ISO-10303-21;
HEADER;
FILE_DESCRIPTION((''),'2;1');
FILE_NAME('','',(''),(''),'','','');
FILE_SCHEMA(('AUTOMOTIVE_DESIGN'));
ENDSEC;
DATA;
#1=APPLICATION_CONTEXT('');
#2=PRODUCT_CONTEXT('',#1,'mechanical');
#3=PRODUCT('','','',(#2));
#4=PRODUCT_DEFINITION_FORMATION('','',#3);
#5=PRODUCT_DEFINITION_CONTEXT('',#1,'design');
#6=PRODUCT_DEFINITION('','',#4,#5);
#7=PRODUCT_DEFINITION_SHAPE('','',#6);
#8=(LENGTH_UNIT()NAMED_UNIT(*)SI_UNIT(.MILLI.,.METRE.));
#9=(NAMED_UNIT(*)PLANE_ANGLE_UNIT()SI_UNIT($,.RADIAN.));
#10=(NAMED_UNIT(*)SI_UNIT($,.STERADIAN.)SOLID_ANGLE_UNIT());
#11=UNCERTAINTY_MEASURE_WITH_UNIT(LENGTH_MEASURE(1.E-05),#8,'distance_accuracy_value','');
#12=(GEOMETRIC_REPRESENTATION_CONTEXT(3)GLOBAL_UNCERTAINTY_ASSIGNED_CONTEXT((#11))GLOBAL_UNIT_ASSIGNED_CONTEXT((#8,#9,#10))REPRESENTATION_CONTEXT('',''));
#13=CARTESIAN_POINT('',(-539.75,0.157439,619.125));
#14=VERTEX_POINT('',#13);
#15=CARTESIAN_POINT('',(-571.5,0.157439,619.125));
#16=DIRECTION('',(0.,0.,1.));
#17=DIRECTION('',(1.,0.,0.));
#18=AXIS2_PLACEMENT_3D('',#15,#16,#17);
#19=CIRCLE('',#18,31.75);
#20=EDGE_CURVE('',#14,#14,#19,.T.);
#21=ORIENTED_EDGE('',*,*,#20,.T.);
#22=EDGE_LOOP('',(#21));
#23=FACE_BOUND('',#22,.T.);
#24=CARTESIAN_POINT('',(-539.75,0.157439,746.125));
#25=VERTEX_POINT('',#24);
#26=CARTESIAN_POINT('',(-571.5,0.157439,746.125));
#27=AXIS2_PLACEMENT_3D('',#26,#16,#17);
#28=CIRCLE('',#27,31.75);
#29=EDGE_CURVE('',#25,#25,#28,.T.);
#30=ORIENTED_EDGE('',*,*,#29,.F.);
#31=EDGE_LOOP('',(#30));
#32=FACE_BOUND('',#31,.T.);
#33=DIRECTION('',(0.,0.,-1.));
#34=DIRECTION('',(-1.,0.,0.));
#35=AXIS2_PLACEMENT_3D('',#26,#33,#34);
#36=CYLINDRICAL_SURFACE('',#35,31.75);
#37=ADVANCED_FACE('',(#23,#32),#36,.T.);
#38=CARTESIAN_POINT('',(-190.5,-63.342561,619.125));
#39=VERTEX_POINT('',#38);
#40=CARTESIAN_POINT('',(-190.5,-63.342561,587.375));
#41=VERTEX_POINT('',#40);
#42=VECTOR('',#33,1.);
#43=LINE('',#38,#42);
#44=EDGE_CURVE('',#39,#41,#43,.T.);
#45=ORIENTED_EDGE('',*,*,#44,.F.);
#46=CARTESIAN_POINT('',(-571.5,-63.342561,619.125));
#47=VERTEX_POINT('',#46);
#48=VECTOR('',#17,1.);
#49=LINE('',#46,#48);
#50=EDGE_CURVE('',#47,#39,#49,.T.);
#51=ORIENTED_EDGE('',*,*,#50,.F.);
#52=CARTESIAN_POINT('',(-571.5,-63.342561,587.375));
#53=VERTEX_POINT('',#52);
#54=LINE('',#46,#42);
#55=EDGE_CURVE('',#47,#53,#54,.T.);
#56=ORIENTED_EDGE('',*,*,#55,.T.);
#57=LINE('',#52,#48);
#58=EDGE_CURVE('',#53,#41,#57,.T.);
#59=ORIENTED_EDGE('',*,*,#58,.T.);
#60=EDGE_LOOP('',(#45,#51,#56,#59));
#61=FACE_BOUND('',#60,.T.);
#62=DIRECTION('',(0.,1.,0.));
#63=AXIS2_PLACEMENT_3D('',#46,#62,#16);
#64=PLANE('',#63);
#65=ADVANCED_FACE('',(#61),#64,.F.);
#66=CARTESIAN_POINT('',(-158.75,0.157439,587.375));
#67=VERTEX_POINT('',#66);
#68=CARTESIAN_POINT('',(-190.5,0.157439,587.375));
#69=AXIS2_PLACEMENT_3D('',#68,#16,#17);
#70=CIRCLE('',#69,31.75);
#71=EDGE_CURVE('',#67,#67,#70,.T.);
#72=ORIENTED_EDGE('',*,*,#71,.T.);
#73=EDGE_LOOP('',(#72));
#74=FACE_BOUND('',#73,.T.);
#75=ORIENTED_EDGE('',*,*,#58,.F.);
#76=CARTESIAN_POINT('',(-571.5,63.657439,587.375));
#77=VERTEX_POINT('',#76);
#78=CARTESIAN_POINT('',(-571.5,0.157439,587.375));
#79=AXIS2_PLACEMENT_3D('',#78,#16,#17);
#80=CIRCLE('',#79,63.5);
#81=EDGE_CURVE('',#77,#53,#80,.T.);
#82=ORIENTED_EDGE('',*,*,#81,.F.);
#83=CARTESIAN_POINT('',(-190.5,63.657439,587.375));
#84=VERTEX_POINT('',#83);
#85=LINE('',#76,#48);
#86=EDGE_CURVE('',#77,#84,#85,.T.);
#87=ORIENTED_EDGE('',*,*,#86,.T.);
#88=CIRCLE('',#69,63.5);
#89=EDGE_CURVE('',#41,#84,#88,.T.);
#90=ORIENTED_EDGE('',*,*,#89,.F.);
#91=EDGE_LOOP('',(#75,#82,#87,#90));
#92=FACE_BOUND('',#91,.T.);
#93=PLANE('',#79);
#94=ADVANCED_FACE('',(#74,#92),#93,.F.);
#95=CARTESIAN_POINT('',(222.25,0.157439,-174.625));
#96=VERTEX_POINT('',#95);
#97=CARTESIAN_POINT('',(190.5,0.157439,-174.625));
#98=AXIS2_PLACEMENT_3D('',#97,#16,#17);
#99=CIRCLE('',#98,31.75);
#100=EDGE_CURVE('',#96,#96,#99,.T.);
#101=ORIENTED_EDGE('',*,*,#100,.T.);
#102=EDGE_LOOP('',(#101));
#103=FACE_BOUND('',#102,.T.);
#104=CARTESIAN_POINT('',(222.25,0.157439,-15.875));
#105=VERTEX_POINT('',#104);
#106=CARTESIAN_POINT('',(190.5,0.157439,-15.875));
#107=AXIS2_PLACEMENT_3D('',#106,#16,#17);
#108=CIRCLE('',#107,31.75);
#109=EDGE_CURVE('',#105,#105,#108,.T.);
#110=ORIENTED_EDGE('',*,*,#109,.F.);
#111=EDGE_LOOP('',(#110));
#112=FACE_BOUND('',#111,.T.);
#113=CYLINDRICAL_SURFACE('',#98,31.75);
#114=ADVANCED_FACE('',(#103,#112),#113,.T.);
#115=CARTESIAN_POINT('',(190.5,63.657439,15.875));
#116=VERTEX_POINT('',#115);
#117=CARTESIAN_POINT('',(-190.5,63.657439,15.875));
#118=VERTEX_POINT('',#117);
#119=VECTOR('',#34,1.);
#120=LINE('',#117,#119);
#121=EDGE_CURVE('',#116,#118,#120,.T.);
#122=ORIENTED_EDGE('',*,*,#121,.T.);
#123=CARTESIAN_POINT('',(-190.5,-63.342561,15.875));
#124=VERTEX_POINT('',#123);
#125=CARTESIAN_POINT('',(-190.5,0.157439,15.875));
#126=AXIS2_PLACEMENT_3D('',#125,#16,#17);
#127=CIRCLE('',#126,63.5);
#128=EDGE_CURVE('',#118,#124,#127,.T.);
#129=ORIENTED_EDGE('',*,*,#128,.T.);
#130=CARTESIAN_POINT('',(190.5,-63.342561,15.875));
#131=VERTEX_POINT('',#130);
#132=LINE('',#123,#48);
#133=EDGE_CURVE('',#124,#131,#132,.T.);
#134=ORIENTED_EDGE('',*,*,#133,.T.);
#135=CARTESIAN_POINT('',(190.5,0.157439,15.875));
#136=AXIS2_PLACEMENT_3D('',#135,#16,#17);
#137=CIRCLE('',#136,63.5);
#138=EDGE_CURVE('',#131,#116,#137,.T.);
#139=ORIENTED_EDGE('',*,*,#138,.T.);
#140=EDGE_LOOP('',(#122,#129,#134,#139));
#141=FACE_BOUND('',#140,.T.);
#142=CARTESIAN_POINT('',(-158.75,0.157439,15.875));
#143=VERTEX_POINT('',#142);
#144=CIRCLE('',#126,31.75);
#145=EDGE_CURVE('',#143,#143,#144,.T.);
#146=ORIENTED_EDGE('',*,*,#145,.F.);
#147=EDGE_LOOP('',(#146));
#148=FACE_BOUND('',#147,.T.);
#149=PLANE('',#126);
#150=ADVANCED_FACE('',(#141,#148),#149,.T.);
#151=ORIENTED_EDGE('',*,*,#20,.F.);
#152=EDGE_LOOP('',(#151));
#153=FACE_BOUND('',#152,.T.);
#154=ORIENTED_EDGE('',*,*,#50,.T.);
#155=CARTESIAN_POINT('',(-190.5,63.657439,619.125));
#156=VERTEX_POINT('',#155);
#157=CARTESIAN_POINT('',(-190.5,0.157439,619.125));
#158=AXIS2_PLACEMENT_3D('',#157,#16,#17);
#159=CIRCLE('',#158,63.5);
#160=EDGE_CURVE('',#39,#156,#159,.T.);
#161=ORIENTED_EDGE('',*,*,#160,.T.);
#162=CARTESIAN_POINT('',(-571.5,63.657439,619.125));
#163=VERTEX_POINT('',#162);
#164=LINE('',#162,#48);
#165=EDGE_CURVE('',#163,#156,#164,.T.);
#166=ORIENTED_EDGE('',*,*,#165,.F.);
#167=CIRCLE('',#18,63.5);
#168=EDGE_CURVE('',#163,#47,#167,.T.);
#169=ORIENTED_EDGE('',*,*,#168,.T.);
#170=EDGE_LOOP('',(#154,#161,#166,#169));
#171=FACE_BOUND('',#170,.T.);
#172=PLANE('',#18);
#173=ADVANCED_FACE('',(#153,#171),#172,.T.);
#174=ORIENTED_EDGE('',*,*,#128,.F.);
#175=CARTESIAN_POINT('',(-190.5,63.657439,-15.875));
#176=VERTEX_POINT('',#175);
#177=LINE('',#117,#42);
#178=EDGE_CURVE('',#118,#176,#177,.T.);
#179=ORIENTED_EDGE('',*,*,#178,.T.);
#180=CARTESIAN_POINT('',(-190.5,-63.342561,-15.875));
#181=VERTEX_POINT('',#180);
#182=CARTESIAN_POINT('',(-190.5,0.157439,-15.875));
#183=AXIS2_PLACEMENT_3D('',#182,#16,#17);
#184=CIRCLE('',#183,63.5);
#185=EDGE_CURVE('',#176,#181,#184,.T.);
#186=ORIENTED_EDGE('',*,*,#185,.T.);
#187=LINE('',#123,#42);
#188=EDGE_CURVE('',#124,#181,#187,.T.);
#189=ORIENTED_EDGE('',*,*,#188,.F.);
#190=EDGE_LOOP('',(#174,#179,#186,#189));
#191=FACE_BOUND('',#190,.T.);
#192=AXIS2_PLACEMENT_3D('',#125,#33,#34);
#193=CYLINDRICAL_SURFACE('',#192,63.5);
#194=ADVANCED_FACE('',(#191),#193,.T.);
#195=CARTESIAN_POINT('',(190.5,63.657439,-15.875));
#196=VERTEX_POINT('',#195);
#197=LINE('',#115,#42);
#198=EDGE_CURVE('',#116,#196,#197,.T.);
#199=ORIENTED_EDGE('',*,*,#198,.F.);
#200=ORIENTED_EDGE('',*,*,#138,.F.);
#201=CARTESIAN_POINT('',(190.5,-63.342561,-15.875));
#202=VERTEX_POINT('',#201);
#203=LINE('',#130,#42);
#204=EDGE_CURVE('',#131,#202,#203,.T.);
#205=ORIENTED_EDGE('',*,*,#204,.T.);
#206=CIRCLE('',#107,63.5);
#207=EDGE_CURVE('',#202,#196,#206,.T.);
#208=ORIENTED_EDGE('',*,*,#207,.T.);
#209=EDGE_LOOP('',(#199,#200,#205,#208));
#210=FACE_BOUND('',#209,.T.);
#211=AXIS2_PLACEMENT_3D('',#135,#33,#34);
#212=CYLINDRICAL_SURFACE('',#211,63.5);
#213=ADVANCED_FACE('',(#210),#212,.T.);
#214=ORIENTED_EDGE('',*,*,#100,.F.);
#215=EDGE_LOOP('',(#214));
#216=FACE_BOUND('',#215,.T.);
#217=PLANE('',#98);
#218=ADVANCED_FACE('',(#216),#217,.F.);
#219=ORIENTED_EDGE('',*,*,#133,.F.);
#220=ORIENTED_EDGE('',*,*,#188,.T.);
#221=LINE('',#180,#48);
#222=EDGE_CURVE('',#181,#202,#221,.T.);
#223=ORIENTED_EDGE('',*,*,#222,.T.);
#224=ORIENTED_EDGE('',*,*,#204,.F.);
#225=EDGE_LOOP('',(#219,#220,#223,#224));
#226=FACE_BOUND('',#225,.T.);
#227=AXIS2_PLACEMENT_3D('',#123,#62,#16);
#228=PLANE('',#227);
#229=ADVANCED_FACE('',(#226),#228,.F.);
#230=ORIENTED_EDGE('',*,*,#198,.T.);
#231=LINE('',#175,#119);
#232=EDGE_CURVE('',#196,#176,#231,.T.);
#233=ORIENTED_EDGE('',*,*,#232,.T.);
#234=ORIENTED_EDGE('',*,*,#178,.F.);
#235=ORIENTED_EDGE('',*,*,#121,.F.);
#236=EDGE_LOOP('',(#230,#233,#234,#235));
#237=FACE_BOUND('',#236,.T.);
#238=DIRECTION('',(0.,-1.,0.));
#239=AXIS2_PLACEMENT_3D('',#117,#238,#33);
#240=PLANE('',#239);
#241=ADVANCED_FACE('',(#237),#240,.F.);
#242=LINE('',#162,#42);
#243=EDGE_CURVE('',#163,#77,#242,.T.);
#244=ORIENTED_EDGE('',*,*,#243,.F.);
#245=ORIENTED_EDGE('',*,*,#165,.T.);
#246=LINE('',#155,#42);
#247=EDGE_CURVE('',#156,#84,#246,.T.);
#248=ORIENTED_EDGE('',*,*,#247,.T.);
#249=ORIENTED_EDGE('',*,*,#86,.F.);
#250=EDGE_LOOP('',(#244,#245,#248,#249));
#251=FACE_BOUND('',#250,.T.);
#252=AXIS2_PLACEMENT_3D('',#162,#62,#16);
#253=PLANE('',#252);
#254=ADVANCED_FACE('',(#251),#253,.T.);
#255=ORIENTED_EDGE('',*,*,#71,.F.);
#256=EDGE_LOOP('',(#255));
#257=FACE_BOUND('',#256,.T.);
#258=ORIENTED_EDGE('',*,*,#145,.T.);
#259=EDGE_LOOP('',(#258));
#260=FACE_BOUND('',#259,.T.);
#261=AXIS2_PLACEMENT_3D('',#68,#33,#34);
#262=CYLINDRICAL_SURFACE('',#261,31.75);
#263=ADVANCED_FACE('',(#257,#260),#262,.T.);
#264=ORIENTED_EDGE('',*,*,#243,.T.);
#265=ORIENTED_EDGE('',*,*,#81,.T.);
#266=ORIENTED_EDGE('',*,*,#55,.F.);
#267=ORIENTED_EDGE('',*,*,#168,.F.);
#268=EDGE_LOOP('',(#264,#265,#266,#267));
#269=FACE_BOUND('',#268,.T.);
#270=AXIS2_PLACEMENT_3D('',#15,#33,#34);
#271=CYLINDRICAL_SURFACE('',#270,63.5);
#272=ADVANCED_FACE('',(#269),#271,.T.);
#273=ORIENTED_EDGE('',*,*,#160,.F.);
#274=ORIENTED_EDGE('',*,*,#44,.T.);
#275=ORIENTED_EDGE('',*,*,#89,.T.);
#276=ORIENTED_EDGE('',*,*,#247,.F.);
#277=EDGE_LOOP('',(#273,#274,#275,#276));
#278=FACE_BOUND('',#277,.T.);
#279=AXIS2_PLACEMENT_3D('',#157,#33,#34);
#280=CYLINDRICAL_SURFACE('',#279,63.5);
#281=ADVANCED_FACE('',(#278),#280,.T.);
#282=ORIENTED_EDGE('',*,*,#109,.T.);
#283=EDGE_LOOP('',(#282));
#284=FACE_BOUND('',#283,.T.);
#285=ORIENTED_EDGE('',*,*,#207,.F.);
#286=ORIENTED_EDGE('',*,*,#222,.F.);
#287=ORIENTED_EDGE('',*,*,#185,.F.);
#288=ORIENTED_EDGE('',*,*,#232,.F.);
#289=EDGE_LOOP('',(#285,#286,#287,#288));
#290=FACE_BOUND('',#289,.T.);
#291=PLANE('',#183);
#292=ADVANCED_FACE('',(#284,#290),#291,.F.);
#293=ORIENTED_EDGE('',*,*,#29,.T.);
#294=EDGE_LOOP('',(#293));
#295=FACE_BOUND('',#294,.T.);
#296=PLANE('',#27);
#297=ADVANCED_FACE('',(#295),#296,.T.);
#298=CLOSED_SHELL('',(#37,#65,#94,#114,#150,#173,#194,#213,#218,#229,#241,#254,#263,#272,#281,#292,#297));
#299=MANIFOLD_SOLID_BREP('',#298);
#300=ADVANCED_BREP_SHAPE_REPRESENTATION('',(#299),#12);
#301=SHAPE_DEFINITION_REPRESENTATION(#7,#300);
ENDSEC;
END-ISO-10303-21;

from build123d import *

# Parameters (mm, degrees)
SKETCH1_R           = 31.75
BOSS_EXTRUDE1_DEPTH = 15.875
SKETCH2_R           = 31.75
BOSS_EXTRUDE2_DEPTH = 571.5
BOSS_EXTRUDE3_START = -190.5
SKETCH4_R           = 31.75
BOSS_EXTRUDE3_DEPTH = 190.5
BOSS_EXTRUDE4_START = 31.75
BOSS_EXTRUDE4_DEPTH = 31.75
SKETCH7_R           = 31.75
BOSS_EXTRUDE5_DEPTH = 127


with BuildPart() as part:
    # Sketch1 → Boss-Extrude1 (new, symmetric)
    with BuildSketch(Plane.XY):
        with BuildLine():
            Line((-190.5, 63.657439452), (190.5, 63.657439452))
            ThreePointArc((190.5, 63.657439452), (254, 0.157439452), (190.5, -63.342560548))
            Line((190.5, -63.342560548), (-190.5, -63.342560548))
            ThreePointArc((-190.5, -63.342560548), (-254, 0.157439452), (-190.5, 63.657439452))
        make_face()
        with Locations((190.5, 0.157439452)):
            Circle(SKETCH1_R, mode=Mode.SUBTRACT)
    extrude(amount=BOSS_EXTRUDE1_DEPTH, both=True)

    # Sketch2 → Boss-Extrude2 (add)
    with BuildSketch(Plane.XY.offset(15.875)):
        with Locations((-190.5, 0.157439452)):
            Circle(SKETCH2_R)
    extrude(amount=BOSS_EXTRUDE2_DEPTH)

    # Sketch4 → Boss-Extrude3 (add)
    with BuildSketch(Plane.XY.offset(15.875).offset(BOSS_EXTRUDE3_START)):
        with Locations((190.5, 0.157439452)):
            Circle(SKETCH4_R)
    extrude(amount=BOSS_EXTRUDE3_DEPTH)

    # Sketch6 → Boss-Extrude4 (add)
    with BuildSketch(Plane.XY.offset(587.375).offset(BOSS_EXTRUDE4_START)):
        with BuildLine():
            Line((-571.5, 63.657439452), (-190.5, 63.657439452))
            ThreePointArc((-190.5, 63.657439452), (-127, 0.157439452), (-190.5, -63.342560548))
            Line((-190.5, -63.342560548), (-571.5, -63.342560548))
            ThreePointArc((-571.5, -63.342560548), (-635, 0.157439452), (-571.5, 63.657439452))
        make_face()
    extrude(amount=-BOSS_EXTRUDE4_DEPTH)

    # Sketch7 → Boss-Extrude5 (add)
    with BuildSketch(Plane.XY.offset(619.125)):
        with Locations((-571.5, 0.157439452)):
            Circle(SKETCH7_R)
    extrude(amount=BOSS_EXTRUDE5_DEPTH)


solid = part.part
